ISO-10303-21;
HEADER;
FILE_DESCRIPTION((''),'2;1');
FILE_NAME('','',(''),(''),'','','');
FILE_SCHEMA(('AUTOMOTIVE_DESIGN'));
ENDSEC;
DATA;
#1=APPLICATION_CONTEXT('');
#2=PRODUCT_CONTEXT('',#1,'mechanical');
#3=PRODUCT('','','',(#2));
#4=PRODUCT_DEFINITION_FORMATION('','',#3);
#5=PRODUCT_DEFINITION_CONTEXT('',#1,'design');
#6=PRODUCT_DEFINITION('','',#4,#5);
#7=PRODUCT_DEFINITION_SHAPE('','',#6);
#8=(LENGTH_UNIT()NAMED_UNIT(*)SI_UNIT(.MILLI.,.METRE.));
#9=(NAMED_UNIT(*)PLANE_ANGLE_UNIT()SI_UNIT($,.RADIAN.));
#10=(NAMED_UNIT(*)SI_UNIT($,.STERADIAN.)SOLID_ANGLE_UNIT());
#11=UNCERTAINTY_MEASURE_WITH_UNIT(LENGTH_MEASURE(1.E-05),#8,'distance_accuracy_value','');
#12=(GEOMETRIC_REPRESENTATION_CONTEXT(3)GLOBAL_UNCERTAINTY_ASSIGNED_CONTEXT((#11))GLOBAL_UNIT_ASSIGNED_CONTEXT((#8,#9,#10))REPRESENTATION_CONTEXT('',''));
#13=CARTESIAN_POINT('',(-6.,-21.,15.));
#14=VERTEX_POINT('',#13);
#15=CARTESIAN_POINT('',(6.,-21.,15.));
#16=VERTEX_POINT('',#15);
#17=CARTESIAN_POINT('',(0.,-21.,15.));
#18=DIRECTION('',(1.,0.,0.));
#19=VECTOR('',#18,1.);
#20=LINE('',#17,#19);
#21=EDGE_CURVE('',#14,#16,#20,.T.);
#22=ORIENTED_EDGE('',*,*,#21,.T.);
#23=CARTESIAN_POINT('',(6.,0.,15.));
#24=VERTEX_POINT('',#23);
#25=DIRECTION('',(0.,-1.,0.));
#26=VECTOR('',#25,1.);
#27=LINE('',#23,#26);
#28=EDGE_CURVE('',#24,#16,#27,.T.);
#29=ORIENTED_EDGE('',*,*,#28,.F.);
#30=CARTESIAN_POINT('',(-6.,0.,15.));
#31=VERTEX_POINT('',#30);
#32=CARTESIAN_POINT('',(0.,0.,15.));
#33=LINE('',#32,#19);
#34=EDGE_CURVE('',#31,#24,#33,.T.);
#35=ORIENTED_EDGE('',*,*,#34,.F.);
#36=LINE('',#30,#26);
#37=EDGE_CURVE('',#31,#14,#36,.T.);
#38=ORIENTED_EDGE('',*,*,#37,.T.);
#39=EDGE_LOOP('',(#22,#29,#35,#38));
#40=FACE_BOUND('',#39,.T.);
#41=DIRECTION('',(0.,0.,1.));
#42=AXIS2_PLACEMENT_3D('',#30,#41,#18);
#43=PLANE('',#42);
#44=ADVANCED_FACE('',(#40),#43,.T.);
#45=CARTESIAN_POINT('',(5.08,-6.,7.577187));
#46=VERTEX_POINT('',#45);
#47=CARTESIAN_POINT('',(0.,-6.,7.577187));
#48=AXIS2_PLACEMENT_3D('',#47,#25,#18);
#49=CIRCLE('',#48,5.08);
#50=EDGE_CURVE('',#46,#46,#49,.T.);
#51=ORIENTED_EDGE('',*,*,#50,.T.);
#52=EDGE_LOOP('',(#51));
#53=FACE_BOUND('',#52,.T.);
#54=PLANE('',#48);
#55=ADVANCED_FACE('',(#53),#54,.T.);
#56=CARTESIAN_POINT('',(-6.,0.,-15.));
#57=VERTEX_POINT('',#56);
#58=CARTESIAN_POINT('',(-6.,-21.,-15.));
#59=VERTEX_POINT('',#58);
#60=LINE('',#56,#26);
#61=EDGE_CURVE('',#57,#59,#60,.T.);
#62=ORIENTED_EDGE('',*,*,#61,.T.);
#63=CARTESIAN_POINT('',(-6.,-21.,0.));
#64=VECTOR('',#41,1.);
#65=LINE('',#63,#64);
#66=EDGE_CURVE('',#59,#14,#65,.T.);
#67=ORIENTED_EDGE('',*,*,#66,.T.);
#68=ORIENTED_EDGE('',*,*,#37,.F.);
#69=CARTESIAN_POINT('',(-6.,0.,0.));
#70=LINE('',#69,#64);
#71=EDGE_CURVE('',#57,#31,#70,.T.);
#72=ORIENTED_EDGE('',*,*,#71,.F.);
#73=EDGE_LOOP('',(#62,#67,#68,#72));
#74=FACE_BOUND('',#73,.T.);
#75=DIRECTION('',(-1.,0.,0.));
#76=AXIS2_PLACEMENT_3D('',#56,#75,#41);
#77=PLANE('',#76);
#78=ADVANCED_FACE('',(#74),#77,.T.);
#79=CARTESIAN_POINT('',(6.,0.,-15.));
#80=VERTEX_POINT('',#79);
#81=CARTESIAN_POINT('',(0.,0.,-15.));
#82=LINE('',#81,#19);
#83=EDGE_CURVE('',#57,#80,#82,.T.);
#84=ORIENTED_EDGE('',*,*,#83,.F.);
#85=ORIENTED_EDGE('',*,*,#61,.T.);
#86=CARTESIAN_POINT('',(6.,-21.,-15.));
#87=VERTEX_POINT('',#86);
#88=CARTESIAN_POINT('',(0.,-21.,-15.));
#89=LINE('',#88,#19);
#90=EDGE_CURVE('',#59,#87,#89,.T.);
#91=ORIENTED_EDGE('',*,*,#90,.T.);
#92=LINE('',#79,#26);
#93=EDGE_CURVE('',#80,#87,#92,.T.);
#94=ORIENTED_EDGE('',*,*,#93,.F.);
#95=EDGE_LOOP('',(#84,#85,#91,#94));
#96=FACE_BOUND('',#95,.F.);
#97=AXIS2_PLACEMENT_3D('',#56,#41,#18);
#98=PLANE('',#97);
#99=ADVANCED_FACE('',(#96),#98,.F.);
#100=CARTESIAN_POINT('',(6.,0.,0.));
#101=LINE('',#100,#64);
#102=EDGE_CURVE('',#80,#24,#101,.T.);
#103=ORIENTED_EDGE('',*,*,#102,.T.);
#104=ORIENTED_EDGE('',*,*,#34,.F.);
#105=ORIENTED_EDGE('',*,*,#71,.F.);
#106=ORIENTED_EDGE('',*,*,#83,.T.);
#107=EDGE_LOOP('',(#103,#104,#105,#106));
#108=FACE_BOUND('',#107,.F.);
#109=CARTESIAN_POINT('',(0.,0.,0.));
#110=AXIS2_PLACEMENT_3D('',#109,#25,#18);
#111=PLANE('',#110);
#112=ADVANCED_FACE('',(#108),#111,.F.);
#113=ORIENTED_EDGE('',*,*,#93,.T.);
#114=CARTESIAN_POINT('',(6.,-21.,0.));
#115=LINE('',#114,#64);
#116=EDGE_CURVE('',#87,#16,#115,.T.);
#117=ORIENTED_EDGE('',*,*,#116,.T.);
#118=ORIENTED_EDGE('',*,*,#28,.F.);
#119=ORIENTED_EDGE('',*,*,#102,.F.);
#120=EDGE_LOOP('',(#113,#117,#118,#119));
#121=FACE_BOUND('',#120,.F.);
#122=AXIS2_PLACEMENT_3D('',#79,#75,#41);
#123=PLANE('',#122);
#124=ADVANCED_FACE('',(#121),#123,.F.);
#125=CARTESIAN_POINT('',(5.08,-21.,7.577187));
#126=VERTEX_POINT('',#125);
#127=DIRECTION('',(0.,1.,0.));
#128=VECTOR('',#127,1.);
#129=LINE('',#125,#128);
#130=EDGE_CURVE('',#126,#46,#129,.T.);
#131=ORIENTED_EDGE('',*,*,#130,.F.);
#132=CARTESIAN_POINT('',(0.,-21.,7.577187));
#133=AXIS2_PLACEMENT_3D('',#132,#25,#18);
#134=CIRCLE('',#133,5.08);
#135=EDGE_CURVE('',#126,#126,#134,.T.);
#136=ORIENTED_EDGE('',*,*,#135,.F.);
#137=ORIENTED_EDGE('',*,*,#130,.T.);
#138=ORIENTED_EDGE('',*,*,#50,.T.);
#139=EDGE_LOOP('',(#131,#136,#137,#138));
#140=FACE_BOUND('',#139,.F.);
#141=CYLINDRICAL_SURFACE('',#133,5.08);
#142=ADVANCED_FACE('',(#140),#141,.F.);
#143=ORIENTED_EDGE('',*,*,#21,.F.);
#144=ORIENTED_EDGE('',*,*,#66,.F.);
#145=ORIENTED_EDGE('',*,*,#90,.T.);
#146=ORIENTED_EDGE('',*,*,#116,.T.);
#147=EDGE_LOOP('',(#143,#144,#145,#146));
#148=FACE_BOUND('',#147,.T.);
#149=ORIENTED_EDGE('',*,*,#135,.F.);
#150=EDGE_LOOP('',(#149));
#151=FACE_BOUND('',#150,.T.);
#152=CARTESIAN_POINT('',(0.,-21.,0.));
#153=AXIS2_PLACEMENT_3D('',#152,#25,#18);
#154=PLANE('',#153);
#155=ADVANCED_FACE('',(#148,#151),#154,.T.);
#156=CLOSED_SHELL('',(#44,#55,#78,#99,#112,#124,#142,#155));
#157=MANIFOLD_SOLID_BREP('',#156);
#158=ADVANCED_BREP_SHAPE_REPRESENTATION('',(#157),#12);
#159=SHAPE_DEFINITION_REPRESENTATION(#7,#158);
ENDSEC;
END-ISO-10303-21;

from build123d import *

# Parameters (mm, degrees)
F0_W     = 12
F0_H     = 30
F1_DEPTH = 21
F2_R     = 5.08
F3_DEPTH = 15


with BuildPart() as f1:
    # F0 (on Front) → F1 (new body)
    with BuildSketch(Plane.XZ):
        Rectangle(F0_W, F0_H)
    extrude(amount=F1_DEPTH)

    # F2 (on face) → F3 (cut)
    with BuildSketch(Plane.XZ.offset(21)):
        with Locations((0, 7.577187)):
            Circle(F2_R)
    extrude(amount=-F3_DEPTH, mode=Mode.SUBTRACT)


solid = f1.part
